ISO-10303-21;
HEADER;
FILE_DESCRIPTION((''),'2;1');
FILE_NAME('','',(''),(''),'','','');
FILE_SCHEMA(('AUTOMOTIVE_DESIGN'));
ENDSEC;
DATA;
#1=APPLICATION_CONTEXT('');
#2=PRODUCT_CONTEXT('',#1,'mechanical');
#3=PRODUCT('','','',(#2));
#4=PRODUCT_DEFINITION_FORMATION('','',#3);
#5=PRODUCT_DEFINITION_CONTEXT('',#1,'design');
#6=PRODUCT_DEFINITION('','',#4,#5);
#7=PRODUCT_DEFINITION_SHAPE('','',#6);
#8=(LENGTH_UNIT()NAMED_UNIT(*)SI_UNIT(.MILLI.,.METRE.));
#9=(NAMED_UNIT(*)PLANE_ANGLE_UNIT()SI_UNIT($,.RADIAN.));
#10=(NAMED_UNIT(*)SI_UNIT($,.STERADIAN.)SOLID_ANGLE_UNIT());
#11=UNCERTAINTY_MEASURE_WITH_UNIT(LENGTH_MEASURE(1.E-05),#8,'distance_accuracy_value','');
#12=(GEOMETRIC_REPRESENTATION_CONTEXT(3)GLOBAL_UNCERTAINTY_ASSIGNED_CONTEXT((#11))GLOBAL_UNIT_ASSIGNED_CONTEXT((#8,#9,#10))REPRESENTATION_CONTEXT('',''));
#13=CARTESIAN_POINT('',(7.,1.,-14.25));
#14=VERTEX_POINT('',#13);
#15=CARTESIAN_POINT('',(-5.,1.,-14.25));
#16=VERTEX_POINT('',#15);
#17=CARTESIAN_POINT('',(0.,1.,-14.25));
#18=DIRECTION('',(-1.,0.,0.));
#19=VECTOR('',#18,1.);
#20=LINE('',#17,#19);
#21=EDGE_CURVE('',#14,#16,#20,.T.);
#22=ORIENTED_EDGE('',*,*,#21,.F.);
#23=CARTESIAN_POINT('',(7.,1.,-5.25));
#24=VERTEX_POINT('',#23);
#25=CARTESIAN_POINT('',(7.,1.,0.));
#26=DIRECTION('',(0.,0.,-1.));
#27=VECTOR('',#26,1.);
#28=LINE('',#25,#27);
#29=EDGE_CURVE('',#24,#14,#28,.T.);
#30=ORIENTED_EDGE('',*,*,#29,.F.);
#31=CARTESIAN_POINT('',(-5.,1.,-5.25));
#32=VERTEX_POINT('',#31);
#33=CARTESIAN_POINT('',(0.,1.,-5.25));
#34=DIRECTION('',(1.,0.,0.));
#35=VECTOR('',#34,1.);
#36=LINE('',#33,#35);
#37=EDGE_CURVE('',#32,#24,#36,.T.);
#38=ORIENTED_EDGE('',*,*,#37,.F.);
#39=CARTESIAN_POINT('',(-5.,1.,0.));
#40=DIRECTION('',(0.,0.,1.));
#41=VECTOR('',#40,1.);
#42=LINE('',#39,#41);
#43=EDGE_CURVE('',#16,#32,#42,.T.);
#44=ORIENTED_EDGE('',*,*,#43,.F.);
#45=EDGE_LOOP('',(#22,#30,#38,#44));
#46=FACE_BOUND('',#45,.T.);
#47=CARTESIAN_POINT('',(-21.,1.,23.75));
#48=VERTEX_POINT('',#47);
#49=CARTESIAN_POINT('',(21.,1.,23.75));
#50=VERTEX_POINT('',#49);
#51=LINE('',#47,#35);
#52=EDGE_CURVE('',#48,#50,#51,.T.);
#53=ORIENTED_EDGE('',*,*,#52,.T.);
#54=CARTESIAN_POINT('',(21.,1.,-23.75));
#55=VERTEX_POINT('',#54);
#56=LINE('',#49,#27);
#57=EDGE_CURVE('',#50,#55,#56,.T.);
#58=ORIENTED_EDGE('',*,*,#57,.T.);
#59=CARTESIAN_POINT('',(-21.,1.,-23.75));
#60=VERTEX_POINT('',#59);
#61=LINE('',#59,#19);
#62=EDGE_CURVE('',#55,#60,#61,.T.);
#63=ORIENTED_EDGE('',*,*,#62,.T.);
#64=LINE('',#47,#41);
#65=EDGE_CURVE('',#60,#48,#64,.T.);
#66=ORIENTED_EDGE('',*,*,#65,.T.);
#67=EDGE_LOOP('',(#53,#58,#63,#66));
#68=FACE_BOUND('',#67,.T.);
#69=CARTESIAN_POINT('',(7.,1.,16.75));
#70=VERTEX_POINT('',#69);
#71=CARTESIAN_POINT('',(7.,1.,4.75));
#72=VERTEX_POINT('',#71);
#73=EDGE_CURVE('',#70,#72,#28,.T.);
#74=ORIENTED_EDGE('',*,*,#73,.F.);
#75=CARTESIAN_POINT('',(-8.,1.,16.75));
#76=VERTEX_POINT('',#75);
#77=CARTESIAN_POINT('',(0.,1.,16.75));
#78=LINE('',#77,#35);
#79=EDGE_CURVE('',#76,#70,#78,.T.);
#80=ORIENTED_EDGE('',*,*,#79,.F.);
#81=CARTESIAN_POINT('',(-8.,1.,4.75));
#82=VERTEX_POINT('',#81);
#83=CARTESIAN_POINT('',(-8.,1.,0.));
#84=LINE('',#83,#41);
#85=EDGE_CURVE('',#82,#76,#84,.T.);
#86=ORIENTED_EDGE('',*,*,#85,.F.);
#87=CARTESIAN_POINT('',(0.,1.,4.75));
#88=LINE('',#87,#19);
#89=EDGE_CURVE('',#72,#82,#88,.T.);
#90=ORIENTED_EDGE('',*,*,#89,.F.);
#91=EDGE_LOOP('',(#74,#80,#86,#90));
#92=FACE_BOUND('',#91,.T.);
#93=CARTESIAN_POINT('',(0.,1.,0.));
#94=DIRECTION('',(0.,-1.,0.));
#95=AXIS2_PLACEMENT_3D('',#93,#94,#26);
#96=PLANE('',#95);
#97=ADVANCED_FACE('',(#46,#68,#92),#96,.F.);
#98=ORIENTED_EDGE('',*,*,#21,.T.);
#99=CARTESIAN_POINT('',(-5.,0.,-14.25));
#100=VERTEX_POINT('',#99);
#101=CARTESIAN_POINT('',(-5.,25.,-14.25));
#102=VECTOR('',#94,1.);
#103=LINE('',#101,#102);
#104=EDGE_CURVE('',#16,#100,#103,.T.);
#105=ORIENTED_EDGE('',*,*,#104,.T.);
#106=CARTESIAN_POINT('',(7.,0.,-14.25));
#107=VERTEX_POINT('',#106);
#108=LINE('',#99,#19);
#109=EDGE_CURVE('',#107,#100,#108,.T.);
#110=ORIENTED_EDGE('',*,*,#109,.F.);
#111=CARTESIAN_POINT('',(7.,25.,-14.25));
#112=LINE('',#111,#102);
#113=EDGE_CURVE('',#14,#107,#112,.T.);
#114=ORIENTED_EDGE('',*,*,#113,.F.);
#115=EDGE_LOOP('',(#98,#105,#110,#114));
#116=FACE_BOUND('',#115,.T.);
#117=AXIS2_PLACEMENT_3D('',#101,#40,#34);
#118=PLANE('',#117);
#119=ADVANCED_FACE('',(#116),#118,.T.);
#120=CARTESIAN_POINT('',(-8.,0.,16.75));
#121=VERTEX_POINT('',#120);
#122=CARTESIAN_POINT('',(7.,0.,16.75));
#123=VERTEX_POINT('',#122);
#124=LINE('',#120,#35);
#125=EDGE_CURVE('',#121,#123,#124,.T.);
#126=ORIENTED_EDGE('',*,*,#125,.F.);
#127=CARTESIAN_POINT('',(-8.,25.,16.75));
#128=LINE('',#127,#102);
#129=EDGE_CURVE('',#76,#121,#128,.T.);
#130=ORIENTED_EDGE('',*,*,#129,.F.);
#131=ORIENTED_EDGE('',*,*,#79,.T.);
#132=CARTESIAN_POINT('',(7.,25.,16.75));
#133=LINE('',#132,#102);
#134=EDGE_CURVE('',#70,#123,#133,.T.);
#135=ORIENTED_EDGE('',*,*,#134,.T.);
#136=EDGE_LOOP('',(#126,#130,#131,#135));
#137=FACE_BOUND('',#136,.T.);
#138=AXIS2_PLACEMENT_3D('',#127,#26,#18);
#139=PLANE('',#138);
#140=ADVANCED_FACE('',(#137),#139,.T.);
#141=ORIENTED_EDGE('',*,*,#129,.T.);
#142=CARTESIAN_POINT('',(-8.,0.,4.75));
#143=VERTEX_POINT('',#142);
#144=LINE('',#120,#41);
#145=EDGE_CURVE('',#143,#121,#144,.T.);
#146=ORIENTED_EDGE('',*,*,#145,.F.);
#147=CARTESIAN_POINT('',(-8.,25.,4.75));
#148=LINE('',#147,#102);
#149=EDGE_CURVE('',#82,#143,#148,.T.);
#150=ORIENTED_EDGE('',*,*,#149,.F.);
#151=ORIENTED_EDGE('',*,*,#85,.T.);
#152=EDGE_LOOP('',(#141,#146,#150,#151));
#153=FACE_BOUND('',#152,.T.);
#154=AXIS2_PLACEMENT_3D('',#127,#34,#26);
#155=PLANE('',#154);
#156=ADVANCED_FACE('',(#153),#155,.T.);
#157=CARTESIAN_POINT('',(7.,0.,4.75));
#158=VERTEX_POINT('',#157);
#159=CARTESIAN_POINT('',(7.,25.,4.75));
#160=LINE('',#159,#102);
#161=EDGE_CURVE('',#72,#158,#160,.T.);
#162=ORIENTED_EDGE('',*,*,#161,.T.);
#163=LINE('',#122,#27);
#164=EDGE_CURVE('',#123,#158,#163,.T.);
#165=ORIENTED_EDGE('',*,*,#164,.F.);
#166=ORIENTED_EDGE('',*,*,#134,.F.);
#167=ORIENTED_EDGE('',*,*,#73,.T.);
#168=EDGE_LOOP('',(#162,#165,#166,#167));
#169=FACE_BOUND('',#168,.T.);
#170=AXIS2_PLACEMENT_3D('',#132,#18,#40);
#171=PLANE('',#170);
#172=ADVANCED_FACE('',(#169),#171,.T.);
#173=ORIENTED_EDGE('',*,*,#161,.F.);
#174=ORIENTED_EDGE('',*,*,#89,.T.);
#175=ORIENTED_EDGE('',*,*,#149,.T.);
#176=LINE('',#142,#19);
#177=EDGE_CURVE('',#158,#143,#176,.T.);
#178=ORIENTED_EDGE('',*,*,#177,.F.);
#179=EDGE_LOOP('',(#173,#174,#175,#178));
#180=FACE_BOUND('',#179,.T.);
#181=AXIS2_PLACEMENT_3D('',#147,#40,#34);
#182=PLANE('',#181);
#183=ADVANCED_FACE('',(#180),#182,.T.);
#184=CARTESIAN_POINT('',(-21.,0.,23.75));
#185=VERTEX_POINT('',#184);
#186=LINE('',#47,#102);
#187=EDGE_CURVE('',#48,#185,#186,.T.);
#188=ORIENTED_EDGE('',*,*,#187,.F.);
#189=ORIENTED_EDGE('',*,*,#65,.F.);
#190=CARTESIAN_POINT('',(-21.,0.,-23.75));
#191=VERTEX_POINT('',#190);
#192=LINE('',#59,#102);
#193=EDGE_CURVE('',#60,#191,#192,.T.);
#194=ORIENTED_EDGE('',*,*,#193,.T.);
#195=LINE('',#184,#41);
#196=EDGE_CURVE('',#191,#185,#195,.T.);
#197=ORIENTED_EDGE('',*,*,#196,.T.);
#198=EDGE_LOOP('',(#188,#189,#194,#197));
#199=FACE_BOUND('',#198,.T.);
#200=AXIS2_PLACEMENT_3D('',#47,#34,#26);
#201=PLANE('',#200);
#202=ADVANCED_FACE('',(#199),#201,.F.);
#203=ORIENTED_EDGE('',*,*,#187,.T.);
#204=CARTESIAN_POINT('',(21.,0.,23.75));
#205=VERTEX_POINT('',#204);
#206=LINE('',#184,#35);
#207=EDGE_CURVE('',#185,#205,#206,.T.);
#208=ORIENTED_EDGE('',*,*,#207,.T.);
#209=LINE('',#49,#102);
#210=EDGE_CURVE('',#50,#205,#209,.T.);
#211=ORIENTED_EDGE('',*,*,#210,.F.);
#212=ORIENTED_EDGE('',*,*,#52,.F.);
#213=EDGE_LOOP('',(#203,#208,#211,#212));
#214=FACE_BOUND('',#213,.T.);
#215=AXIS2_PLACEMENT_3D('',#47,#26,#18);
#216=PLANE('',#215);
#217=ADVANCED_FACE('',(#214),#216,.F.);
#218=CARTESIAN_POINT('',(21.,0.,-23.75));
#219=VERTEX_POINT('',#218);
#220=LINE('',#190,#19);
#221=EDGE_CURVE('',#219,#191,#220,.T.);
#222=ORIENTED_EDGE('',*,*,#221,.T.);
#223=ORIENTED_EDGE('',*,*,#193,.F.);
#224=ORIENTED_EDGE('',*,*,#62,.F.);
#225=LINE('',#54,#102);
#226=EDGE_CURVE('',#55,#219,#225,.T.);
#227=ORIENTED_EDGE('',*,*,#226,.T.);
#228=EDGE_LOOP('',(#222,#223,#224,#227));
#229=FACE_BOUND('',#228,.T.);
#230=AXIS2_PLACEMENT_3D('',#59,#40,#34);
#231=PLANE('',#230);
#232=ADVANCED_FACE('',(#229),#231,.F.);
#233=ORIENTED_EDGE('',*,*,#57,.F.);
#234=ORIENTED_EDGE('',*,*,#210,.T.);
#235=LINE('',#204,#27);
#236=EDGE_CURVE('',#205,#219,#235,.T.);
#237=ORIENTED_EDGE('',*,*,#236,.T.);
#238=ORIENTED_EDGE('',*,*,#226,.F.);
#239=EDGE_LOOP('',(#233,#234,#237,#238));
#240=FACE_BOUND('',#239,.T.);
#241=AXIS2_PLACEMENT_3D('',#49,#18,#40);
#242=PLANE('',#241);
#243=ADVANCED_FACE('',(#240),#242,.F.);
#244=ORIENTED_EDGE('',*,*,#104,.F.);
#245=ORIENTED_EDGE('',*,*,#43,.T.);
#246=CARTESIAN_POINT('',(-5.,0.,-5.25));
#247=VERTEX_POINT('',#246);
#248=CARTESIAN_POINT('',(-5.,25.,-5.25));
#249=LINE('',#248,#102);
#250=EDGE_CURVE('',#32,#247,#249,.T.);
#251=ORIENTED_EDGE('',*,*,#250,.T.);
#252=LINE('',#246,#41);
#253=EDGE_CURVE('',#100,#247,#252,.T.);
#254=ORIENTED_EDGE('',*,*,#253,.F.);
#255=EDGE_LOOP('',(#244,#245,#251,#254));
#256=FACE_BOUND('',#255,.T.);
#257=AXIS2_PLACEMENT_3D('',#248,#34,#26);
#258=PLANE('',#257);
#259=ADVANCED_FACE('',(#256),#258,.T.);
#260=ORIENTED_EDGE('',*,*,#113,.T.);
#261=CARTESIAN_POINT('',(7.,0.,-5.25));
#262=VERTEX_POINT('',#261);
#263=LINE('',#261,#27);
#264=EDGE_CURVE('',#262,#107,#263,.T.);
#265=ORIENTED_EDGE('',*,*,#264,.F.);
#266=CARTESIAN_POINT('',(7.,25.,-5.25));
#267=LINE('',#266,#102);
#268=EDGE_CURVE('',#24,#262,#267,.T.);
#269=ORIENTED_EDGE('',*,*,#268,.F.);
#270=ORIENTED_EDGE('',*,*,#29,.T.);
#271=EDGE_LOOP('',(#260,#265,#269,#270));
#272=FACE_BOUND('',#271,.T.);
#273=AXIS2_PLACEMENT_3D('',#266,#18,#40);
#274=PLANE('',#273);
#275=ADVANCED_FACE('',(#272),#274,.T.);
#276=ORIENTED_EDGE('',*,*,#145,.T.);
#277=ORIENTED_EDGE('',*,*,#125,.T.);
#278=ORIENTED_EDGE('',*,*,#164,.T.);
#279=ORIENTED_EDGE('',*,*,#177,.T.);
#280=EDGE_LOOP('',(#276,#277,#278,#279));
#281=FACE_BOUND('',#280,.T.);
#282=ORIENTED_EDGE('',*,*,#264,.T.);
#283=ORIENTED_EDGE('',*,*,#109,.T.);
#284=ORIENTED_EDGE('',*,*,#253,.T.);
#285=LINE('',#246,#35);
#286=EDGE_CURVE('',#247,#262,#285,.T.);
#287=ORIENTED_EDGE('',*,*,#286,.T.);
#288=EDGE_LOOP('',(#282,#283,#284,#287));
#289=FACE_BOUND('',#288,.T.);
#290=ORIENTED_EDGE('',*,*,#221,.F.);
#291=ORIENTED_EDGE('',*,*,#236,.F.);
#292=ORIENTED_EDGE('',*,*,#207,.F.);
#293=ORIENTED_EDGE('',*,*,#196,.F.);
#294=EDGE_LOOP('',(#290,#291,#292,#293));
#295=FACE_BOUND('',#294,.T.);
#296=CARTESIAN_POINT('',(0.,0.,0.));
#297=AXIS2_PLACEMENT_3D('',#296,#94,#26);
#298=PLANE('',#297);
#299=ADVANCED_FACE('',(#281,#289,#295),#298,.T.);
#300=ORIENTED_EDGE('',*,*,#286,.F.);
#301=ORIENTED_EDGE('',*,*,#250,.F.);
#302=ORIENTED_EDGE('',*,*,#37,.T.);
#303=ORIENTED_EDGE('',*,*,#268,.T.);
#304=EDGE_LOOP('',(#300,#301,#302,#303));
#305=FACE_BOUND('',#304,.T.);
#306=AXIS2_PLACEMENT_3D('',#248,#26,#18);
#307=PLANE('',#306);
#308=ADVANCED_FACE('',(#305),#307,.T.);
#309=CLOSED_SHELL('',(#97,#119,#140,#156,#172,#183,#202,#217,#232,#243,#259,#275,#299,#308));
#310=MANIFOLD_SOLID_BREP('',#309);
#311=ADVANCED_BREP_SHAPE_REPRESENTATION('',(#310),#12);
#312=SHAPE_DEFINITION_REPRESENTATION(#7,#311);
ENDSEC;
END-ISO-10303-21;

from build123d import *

# Parameters (mm, degrees)
SKETCH1_W           = 42
SKETCH1_H           = 47.5
BOSS_EXTRUDE1_DEPTH = 1
SKETCH2_W           = 15
SKETCH2_H           = 12
SKETCH2_W_2         = 12
SKETCH2_H_2         = 9
CUT_EXTRUDE3_DEPTH  = 25


with BuildPart() as part:
    # Sketch1 → Boss-Extrude1 (new body)
    with BuildSketch(Plane(origin=(0, 0, 0), x_dir=(1, 0, 0), z_dir=(0, 1, 0))):
        Rectangle(SKETCH1_W, SKETCH1_H)
    extrude(amount=BOSS_EXTRUDE1_DEPTH)

    # Sketch2 → Cut-Extrude3 (cut)
    with BuildSketch(Plane(origin=(0, 0, 0), x_dir=(1, 0, 0), z_dir=(0, 1, 0))):
        with Locations((-0.5, -10.75)):
            Rectangle(SKETCH2_W, SKETCH2_H)
        with Locations((1, 9.75)):
            Rectangle(SKETCH2_W_2, SKETCH2_H_2)
    extrude(amount=CUT_EXTRUDE3_DEPTH, mode=Mode.SUBTRACT)


solid = part.part
